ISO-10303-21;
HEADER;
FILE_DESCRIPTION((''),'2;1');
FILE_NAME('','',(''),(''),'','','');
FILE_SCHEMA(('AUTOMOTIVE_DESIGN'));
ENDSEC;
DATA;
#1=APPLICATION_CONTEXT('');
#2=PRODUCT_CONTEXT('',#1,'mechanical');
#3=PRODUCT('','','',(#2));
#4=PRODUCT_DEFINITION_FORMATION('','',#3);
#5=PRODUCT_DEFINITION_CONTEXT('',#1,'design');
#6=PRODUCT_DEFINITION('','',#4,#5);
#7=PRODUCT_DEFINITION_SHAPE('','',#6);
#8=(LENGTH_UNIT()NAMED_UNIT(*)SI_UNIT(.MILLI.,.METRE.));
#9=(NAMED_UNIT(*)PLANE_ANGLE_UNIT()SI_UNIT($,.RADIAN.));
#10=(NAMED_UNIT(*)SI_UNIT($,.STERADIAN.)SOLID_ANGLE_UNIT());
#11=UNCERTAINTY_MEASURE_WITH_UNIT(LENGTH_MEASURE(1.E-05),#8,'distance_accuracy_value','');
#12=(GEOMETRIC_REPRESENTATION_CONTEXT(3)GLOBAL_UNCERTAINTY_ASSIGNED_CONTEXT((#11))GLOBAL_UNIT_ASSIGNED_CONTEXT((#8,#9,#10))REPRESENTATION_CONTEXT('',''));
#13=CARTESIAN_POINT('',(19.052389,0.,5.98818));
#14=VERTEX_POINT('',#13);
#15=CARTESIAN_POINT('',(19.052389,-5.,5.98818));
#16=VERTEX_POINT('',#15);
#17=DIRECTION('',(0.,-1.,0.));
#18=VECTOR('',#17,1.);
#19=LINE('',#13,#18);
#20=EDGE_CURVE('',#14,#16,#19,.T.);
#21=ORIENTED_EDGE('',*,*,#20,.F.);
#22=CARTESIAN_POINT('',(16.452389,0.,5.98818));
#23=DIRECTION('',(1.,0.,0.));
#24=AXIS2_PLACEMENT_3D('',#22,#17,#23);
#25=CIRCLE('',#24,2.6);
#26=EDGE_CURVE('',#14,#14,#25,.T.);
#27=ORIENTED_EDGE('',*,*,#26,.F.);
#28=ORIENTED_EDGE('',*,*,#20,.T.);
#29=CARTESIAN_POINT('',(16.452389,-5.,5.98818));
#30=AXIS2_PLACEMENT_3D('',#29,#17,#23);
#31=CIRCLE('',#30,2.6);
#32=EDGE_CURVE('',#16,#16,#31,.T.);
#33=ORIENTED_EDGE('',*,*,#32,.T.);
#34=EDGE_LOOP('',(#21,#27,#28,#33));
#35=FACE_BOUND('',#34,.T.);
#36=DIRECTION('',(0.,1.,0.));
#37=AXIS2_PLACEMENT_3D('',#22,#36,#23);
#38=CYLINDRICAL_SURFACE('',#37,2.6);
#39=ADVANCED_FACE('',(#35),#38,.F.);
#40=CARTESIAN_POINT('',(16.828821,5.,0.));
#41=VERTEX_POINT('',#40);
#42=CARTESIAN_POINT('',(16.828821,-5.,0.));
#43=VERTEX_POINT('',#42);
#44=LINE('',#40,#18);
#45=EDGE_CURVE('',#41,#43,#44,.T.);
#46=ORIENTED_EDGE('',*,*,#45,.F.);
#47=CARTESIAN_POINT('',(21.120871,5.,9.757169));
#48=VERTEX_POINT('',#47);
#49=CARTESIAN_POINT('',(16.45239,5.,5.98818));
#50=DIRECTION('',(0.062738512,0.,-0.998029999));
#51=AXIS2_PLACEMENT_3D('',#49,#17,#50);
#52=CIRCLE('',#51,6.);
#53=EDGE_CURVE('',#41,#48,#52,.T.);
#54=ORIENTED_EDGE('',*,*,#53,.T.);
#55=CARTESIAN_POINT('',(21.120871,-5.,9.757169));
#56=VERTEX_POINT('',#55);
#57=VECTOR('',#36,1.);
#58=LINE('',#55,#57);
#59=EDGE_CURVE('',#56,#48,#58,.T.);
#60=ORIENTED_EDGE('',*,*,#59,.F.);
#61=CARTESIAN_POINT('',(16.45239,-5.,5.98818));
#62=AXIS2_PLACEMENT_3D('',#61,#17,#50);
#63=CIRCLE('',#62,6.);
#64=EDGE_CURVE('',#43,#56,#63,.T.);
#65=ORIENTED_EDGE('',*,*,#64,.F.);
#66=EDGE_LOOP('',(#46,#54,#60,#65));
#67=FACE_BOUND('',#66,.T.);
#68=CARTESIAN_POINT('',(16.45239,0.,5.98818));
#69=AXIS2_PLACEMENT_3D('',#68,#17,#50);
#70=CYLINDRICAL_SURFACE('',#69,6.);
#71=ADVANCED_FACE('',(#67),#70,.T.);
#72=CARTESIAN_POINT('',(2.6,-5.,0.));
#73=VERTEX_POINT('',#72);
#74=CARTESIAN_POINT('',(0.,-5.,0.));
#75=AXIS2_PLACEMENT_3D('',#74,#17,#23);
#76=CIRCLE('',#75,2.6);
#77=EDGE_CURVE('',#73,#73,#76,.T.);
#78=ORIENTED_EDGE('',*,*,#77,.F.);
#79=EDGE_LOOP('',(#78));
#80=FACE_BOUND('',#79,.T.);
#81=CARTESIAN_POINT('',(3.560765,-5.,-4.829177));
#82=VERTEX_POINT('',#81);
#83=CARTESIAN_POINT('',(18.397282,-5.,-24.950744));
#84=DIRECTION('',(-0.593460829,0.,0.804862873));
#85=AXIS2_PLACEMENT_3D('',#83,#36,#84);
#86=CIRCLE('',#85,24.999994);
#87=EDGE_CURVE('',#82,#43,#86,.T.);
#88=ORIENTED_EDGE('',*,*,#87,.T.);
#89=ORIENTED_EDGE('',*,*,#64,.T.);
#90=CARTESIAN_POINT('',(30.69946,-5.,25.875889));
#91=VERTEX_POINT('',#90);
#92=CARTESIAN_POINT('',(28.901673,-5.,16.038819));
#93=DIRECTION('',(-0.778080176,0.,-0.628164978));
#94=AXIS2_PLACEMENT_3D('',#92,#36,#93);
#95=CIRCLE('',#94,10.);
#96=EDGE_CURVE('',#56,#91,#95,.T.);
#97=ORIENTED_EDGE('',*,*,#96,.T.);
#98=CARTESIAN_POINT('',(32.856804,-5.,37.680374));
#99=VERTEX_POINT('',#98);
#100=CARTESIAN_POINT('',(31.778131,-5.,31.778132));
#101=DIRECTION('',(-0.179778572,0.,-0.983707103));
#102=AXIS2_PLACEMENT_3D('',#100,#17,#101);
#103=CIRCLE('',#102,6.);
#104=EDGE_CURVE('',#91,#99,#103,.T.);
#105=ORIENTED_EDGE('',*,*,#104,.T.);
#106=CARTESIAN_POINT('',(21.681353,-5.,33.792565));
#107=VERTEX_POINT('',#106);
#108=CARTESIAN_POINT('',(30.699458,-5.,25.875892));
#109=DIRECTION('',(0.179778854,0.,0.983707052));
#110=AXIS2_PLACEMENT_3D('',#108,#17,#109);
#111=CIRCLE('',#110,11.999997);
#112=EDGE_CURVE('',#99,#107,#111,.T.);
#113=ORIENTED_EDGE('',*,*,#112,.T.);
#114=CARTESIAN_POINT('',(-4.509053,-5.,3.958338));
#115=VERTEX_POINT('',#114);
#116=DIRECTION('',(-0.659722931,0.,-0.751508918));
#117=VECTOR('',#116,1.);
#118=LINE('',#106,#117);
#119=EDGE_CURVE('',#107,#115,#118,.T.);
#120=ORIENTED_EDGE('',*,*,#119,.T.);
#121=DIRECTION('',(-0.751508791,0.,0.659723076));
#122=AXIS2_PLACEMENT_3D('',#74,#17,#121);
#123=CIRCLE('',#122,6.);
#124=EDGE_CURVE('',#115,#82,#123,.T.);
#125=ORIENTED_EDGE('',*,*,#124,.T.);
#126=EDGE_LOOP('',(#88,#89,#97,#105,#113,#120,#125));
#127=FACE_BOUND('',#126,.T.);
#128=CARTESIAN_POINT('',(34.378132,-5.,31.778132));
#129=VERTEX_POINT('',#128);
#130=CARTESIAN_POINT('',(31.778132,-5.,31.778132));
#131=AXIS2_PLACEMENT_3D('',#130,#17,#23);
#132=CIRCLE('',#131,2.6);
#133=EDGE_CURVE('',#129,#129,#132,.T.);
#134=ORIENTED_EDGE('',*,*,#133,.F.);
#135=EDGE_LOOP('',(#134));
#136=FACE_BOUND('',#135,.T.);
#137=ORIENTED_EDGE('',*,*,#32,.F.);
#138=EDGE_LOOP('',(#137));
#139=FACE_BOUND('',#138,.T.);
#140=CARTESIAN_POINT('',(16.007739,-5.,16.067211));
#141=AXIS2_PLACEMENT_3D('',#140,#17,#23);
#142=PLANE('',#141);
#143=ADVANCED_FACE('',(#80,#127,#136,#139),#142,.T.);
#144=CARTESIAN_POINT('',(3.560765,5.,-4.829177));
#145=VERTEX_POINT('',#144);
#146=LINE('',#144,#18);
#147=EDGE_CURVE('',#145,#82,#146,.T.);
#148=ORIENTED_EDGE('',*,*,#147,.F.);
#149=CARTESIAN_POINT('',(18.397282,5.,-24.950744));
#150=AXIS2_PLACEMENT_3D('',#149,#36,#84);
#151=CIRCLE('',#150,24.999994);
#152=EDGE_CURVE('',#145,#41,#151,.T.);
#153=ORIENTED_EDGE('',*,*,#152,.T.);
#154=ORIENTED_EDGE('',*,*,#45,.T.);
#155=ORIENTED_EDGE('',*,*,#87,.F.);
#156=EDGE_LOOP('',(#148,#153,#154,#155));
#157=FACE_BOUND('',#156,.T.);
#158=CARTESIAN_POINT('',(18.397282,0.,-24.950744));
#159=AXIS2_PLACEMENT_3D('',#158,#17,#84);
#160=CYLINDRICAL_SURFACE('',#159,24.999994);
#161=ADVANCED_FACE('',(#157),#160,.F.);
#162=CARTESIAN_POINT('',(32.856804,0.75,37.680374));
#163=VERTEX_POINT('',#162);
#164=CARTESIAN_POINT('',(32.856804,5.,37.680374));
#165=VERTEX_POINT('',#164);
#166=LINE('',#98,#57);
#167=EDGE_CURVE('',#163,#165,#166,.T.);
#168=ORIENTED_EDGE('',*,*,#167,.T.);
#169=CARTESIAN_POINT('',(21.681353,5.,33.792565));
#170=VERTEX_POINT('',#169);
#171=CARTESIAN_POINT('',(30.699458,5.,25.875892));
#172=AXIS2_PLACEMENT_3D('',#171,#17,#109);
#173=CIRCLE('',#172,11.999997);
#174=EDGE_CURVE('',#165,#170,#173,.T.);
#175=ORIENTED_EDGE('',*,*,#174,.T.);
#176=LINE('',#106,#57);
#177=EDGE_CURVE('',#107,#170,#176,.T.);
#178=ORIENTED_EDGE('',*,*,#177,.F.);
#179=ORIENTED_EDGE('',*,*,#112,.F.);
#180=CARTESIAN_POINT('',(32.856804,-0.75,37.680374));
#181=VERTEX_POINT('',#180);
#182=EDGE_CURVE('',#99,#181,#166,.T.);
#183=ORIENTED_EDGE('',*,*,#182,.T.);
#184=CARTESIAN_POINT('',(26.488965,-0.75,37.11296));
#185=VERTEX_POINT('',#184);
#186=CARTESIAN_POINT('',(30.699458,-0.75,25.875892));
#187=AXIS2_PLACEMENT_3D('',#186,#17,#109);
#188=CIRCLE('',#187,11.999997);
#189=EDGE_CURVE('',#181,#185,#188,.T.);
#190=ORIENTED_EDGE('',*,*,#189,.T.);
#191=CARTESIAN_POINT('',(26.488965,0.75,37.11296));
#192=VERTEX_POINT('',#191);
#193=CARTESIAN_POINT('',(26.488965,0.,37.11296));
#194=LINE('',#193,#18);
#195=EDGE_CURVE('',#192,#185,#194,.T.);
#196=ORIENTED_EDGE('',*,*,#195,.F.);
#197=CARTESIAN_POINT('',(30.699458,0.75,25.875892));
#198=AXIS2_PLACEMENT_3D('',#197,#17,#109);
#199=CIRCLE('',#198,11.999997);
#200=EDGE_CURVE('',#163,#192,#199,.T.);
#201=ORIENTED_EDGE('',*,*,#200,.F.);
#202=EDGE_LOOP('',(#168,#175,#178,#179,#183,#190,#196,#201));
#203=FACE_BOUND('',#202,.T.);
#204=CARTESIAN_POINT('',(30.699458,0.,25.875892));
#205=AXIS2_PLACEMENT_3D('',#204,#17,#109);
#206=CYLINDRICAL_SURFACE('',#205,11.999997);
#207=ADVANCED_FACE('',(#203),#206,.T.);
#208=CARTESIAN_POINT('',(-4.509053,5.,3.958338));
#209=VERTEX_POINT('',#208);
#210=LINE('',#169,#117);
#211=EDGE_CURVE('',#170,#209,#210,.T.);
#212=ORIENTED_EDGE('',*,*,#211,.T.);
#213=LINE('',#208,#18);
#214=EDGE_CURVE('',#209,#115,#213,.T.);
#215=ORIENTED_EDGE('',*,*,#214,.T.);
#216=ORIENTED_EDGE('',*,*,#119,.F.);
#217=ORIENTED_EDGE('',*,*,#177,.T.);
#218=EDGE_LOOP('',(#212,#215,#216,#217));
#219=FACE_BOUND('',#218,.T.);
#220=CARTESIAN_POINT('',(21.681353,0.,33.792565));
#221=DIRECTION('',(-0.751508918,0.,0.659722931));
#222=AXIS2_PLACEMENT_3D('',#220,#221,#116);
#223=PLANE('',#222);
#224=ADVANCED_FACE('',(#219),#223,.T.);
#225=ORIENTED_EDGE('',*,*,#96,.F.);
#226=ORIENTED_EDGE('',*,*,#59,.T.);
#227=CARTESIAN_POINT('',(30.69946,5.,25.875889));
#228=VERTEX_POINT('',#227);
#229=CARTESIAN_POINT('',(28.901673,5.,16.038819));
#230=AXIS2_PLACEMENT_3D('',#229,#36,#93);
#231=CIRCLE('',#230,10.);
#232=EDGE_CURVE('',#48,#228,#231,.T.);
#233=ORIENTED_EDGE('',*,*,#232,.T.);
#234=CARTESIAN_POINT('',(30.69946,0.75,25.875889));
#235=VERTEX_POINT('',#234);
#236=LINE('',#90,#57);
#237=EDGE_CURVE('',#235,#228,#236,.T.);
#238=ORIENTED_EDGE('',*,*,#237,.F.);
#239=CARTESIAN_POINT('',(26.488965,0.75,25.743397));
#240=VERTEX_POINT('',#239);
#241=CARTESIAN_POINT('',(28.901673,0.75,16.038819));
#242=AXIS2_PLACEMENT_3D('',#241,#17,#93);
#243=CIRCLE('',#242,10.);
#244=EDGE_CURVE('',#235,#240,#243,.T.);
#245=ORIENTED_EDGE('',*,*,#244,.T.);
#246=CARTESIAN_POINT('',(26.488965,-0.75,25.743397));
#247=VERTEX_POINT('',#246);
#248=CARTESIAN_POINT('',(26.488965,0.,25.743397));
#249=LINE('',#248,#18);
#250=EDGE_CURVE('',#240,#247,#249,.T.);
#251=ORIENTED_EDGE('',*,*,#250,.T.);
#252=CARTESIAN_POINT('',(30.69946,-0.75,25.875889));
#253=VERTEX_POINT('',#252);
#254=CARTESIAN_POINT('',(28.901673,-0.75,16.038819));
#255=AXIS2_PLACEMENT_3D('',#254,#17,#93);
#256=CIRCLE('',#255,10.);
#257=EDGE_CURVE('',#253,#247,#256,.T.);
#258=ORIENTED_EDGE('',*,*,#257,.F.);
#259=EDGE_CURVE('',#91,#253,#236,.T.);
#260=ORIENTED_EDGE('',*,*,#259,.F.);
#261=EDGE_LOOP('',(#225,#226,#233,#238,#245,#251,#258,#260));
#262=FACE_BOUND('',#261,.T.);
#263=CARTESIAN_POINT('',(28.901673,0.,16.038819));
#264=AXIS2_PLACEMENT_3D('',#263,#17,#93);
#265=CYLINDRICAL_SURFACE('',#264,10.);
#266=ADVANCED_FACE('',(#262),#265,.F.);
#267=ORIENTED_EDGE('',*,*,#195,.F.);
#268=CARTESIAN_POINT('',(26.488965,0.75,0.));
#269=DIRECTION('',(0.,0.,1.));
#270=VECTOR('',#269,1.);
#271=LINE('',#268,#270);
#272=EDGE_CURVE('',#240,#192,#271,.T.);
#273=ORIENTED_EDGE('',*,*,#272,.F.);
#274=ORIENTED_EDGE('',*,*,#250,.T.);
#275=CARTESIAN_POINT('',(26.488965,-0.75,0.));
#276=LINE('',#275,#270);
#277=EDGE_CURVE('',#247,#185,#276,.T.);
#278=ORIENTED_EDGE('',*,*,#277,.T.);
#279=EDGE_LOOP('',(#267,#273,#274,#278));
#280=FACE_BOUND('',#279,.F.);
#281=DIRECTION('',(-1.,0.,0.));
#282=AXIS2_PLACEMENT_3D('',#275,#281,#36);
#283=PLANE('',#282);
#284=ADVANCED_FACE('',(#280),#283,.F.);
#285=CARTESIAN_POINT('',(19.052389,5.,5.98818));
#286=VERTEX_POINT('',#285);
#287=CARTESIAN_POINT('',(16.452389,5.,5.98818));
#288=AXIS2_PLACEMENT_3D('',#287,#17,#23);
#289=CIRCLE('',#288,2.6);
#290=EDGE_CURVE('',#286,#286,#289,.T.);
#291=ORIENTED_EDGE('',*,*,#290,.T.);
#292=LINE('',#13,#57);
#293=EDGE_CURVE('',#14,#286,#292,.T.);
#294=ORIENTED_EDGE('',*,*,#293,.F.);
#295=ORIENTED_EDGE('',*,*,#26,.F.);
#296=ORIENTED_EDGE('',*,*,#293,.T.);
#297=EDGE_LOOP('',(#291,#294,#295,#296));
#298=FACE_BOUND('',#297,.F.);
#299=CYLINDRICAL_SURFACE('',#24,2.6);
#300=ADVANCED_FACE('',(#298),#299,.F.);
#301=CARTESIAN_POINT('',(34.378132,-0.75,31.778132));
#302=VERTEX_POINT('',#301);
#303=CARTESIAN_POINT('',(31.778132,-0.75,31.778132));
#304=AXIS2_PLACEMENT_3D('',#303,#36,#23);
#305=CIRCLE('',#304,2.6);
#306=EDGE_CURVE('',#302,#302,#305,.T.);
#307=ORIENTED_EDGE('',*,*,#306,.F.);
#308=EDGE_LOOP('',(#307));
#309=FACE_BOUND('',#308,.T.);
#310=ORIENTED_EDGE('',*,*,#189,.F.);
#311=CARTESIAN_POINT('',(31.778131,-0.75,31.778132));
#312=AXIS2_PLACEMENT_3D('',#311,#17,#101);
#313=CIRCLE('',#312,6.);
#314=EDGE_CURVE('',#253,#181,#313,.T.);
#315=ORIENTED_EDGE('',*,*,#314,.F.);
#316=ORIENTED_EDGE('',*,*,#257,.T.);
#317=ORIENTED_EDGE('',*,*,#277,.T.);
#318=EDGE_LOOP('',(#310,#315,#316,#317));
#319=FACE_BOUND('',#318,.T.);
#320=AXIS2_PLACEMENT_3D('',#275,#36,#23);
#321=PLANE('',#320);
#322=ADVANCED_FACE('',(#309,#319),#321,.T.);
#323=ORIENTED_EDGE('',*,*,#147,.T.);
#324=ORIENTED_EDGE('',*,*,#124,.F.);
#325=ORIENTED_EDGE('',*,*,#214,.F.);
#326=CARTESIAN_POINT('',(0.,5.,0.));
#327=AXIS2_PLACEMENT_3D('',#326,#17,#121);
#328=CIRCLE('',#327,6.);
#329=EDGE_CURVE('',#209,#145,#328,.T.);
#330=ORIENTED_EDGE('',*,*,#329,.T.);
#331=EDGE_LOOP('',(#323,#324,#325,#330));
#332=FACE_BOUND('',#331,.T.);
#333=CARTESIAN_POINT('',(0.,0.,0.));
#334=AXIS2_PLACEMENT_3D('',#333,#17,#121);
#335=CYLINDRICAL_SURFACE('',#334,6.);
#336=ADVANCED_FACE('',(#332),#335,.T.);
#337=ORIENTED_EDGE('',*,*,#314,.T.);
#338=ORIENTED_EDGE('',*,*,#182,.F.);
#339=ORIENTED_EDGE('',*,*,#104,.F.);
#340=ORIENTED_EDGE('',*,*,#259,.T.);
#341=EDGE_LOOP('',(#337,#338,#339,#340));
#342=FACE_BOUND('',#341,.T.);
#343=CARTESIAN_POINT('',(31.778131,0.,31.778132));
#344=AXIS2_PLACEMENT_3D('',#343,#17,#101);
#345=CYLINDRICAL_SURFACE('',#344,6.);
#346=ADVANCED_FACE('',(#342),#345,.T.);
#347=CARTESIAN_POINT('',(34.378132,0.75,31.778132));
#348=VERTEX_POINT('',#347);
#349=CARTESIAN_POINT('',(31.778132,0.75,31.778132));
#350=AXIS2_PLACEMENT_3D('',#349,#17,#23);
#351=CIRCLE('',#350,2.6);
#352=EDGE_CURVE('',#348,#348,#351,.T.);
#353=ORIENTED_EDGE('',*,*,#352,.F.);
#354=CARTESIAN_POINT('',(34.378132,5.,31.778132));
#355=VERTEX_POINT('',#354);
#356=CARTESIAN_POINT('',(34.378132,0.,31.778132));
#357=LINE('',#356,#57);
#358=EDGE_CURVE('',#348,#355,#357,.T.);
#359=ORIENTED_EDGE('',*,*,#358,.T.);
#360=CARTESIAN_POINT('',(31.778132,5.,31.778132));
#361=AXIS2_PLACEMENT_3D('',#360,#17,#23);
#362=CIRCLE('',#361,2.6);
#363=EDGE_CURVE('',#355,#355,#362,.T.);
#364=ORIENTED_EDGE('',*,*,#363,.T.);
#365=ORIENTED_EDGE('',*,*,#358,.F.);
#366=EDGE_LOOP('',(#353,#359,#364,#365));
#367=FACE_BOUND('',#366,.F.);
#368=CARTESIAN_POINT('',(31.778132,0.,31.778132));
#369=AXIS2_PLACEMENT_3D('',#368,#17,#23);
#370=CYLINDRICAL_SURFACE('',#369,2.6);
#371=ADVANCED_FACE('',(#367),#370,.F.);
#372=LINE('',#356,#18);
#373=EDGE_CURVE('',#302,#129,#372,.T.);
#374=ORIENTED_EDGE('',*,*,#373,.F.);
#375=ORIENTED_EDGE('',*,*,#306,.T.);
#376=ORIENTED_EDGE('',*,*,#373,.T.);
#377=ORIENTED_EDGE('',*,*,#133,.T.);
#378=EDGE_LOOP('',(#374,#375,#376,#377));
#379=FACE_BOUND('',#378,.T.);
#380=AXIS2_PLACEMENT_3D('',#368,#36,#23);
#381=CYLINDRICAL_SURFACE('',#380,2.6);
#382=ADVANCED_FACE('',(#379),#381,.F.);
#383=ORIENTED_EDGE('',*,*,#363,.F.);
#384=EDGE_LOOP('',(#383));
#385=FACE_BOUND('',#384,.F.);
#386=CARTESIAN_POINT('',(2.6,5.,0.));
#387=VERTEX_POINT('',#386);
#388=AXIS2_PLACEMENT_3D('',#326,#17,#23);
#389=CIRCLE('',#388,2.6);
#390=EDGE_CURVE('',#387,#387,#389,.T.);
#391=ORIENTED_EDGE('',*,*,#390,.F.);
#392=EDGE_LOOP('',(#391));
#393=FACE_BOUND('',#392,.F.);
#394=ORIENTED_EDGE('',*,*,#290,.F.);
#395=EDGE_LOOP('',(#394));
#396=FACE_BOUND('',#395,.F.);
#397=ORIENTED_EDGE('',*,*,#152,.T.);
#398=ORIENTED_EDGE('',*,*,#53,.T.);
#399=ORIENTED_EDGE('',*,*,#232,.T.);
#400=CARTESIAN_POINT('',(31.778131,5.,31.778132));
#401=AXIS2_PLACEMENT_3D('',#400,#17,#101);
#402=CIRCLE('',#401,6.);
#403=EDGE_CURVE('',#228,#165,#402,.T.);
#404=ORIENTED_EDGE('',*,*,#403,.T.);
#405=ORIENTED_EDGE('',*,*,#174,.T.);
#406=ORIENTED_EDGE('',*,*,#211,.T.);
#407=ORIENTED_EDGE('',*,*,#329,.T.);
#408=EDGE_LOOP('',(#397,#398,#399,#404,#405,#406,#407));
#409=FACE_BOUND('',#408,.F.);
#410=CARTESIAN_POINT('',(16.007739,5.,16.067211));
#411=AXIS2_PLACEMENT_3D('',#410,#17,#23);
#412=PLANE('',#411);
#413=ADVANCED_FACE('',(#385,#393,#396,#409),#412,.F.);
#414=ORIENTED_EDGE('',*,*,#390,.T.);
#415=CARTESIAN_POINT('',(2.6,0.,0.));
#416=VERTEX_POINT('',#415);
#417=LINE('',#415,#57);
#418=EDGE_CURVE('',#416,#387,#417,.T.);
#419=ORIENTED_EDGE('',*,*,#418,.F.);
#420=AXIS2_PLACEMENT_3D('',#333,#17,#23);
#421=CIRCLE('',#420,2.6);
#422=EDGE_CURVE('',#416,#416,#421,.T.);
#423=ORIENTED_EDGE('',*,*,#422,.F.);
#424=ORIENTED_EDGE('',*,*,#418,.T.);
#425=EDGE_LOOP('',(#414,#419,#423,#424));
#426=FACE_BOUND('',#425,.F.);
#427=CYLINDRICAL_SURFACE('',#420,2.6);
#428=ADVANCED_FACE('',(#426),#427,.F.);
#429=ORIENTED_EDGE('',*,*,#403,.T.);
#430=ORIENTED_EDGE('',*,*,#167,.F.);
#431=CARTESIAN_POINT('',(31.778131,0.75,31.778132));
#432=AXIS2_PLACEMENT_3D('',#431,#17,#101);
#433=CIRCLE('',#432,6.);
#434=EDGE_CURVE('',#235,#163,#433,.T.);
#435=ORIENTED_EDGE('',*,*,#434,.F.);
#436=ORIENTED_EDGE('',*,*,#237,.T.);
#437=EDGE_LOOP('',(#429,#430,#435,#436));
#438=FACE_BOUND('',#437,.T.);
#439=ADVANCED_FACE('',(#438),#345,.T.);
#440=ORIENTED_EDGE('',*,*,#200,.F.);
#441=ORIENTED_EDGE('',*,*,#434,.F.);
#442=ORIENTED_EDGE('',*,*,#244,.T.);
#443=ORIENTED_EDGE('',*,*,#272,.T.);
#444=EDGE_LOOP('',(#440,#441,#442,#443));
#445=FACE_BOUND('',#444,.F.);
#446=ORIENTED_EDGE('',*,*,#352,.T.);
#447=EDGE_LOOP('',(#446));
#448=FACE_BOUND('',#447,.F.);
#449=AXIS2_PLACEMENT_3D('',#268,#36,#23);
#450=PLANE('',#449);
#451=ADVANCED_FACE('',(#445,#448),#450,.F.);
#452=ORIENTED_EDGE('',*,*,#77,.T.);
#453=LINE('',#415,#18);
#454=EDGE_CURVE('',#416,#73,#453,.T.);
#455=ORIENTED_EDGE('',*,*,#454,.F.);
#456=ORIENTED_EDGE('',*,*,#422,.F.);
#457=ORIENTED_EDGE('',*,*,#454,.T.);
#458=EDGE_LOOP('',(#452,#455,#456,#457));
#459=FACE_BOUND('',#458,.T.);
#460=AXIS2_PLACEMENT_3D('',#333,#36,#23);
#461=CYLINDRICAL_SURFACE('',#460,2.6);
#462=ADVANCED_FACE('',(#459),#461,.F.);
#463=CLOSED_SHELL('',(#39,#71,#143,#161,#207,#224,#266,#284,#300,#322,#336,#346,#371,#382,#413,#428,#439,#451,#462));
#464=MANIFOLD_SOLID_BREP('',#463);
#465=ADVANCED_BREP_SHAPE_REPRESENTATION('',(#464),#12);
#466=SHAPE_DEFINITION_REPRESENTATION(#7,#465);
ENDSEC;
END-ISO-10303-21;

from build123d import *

# Parameters (mm, degrees)
F0_R          = 2.6
F1_DEPTH      = 5
F1_DEPTH_BACK = 5
F2_W          = 14.617969
F2_H          = 1.5
F3_DEPTH      = 50


with BuildPart() as f1:
    # F0 (on Front) → F1 (new body, two sides)
    with BuildSketch(Plane.XZ) as f1_sk:
        with BuildLine():
            Line((21.681353, 33.792565), (-4.509053, 3.958338))
            ThreePointArc((-4.509053, 3.958338), (-4.419267, -4.058335), (3.560765, -4.829177))
            ThreePointArc((3.560765, -4.829177), (9.846781, -1.458434), (16.828821, 0))
            ThreePointArc((16.828821, 0), (21.944509, 3.572269), (21.120871, 9.757169))
            ThreePointArc((21.120871, 9.757169), (20.305022, 21.147399), (30.69946, 25.875889))
            ThreePointArc((30.69946, 25.875889), (37.680374, 30.69946), (32.856804, 37.680374))
            ThreePointArc((32.856804, 37.680374), (26.756582, 37.209632), (21.681353, 33.792565))
        make_face()
        Circle(F0_R, mode=Mode.SUBTRACT)
        with Locations((16.452389, 5.98818)):
            Circle(F0_R, mode=Mode.SUBTRACT)
        with Locations((31.778132, 31.778132)):
            Circle(F0_R, mode=Mode.SUBTRACT)
    extrude(amount=F1_DEPTH)
    extrude(f1_sk.sketch, amount=-F1_DEPTH_BACK)

    # F2 (on Top) → F3 (cut)
    with BuildSketch(Plane.XY):
        with Locations((33.79795, 0)):
            Rectangle(F2_W, F2_H)
    extrude(amount=F3_DEPTH, mode=Mode.SUBTRACT)


solid = f1.part
